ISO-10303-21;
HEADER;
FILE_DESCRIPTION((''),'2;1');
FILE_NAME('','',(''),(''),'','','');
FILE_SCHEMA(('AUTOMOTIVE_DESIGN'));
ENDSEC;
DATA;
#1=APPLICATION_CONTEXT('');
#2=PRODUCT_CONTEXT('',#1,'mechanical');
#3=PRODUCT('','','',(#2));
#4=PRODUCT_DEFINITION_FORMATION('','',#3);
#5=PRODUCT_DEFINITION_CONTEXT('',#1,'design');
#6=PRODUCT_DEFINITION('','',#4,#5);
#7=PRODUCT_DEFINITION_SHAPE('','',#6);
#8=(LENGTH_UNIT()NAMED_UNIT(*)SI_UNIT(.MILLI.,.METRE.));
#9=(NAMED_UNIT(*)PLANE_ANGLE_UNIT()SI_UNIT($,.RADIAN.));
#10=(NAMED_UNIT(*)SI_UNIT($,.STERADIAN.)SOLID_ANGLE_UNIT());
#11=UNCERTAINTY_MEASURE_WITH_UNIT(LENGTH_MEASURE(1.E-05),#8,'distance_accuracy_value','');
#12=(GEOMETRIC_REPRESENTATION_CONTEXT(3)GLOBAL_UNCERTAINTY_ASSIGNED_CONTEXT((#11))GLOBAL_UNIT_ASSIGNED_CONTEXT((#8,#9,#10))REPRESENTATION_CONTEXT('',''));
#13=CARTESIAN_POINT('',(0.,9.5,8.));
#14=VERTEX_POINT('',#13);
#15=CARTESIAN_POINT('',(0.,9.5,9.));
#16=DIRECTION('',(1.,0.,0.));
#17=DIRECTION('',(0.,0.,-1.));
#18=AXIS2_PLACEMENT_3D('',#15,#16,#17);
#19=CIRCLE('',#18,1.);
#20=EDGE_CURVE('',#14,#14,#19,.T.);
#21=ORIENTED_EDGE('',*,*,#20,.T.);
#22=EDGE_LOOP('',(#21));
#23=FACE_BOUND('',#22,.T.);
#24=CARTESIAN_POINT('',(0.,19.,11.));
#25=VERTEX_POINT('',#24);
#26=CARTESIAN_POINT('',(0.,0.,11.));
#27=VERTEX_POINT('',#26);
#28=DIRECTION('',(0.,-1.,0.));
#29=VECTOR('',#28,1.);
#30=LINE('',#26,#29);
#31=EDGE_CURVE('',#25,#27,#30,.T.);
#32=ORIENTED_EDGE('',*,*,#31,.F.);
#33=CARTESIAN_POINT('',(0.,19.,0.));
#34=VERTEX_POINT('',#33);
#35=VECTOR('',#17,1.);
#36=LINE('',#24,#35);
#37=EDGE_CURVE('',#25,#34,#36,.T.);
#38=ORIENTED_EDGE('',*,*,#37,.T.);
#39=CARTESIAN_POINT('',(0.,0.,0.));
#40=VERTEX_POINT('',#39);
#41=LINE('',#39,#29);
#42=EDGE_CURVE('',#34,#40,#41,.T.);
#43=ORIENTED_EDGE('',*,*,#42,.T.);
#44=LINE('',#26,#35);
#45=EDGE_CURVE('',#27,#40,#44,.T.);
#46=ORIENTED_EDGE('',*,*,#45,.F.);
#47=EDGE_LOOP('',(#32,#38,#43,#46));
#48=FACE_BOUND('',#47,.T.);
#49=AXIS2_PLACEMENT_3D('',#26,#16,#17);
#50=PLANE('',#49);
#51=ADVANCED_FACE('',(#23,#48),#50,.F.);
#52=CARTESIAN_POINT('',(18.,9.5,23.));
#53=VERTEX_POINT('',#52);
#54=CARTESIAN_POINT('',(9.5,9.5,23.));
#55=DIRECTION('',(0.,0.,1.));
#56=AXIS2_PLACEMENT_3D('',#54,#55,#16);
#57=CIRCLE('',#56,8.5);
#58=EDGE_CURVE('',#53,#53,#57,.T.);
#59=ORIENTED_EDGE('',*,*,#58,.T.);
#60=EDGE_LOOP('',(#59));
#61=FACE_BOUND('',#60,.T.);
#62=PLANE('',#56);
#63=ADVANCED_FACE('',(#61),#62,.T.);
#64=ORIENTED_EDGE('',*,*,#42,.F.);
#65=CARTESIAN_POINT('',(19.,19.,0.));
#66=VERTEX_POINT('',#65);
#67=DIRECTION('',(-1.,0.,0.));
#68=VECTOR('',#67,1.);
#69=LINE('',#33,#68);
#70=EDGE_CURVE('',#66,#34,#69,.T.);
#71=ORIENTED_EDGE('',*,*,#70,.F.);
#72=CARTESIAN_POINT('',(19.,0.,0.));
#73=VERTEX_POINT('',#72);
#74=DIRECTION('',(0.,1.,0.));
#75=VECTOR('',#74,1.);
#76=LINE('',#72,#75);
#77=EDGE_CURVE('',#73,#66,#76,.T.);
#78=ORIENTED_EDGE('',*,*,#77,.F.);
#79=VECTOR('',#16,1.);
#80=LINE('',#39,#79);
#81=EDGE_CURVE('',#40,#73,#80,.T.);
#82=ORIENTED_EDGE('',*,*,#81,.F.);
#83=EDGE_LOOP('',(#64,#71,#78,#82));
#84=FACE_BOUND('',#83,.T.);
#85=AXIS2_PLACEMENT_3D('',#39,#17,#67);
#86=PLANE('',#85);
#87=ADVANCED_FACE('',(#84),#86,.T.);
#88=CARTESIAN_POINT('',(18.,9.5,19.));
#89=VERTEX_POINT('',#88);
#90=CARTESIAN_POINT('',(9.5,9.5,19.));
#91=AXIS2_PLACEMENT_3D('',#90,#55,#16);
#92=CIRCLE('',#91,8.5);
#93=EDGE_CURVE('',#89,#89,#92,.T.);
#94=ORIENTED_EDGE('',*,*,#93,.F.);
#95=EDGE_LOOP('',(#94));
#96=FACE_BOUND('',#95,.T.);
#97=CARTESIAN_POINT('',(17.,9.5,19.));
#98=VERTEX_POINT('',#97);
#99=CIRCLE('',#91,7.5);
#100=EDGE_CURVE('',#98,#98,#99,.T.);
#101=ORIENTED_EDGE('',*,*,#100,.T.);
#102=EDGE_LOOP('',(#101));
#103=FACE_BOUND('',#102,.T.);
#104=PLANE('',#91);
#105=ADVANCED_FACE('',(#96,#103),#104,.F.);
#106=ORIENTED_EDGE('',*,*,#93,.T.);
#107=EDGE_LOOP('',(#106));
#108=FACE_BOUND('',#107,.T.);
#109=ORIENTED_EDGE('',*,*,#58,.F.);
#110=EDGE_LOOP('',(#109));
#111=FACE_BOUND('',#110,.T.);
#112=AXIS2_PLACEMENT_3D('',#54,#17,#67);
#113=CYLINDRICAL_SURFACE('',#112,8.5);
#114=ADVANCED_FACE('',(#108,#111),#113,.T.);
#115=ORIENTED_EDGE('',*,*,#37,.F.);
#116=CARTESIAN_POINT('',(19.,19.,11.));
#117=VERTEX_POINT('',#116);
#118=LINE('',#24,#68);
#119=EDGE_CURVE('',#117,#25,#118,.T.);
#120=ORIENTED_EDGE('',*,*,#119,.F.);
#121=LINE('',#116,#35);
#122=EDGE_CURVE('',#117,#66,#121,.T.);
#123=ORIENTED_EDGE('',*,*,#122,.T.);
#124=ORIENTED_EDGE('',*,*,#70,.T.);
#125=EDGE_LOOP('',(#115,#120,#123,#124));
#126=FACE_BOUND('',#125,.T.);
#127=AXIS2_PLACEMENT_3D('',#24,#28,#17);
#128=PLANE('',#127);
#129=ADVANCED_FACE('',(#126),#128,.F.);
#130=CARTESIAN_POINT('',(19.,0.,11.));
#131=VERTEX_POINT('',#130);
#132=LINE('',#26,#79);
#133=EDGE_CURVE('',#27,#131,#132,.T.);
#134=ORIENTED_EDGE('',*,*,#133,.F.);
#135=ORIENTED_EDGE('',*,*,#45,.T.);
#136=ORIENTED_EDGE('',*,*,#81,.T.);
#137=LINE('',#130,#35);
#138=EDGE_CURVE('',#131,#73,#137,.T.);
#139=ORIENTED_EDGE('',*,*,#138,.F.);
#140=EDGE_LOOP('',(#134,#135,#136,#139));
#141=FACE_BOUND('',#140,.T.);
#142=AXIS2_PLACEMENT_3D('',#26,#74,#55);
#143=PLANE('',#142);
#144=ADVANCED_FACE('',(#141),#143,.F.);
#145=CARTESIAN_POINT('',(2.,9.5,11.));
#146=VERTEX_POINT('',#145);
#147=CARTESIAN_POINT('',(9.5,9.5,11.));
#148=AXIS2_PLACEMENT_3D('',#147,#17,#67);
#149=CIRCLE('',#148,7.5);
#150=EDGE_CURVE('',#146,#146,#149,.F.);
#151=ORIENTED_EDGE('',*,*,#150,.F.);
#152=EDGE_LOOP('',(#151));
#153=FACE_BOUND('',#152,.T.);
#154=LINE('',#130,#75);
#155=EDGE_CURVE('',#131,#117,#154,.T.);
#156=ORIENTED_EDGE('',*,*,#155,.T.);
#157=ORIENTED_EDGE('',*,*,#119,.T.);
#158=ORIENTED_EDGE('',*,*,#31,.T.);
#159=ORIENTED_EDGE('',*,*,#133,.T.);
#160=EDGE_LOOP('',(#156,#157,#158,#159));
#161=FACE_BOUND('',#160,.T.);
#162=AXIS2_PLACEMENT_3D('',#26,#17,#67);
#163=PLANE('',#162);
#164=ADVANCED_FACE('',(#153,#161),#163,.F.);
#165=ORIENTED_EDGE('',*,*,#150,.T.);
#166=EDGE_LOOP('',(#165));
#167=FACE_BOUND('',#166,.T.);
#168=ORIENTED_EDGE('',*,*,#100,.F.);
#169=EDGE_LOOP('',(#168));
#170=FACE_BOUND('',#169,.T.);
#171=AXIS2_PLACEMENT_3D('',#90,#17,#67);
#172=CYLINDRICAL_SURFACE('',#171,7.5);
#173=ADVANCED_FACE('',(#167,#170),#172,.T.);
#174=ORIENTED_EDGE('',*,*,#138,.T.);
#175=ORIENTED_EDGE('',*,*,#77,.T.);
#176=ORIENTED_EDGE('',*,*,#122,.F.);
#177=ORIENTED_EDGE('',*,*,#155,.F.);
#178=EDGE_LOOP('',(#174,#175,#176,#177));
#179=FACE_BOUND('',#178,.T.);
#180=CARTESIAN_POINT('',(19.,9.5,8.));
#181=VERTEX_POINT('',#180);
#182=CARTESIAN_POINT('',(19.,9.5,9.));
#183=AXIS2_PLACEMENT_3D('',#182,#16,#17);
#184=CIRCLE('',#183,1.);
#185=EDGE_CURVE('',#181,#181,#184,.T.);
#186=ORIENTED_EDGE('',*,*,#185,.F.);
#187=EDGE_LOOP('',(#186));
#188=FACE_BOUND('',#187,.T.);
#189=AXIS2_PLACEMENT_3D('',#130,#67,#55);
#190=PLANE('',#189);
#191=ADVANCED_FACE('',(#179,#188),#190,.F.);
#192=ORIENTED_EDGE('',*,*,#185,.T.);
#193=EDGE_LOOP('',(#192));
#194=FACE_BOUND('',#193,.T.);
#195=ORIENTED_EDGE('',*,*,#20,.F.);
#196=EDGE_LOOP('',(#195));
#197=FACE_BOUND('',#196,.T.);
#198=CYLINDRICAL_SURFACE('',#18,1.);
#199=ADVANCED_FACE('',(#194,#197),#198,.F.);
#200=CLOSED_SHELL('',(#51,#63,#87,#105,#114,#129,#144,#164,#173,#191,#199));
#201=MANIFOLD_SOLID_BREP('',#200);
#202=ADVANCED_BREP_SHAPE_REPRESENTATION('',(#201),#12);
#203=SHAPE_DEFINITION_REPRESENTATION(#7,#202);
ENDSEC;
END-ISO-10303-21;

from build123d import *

# Parameters (mm, degrees)
SKETCH1_W           = 19
SKETCH1_H           = 19
BOSS_EXTRUDE1_DEPTH = 11
SKETCH2_R           = 7.5
BOSS_EXTRUDE2_DEPTH = 8
SKETCH4_R           = 8.5
BOSS_EXTRUDE3_DEPTH = 4
SKETCH3_R           = 1
CUT_EXTRUDE1_DEPTH  = 36.369478368


with BuildPart() as part:
    # Sketch1 → Boss-Extrude1 (new body)
    with BuildSketch(Plane.XY):
        with Locations((9.5, 9.5)):
            Rectangle(SKETCH1_W, SKETCH1_H)
    extrude(amount=BOSS_EXTRUDE1_DEPTH)

    # Sketch2 → Boss-Extrude2 (add)
    with BuildSketch(Plane.XY.offset(11)):
        with Locations(Location((9.5, 9.5, 0), (0, 0, 180))):
            Circle(SKETCH2_R)
    extrude(amount=BOSS_EXTRUDE2_DEPTH)

    # Sketch4 → Boss-Extrude3 (add)
    with BuildSketch(Plane.XY.offset(19)):
        with Locations((9.5, 9.5)):
            Circle(SKETCH4_R)
    extrude(amount=BOSS_EXTRUDE3_DEPTH)

    # Sketch3 → Cut-Extrude1 (cut, through all)
    with BuildSketch(Plane(origin=(19, 0, 0), x_dir=(0, 0, -1), z_dir=(1, 0, 0))):
        with Locations((-9, 9.5)):
            Circle(SKETCH3_R)
    extrude(amount=-CUT_EXTRUDE1_DEPTH, mode=Mode.SUBTRACT)


solid = part.part
